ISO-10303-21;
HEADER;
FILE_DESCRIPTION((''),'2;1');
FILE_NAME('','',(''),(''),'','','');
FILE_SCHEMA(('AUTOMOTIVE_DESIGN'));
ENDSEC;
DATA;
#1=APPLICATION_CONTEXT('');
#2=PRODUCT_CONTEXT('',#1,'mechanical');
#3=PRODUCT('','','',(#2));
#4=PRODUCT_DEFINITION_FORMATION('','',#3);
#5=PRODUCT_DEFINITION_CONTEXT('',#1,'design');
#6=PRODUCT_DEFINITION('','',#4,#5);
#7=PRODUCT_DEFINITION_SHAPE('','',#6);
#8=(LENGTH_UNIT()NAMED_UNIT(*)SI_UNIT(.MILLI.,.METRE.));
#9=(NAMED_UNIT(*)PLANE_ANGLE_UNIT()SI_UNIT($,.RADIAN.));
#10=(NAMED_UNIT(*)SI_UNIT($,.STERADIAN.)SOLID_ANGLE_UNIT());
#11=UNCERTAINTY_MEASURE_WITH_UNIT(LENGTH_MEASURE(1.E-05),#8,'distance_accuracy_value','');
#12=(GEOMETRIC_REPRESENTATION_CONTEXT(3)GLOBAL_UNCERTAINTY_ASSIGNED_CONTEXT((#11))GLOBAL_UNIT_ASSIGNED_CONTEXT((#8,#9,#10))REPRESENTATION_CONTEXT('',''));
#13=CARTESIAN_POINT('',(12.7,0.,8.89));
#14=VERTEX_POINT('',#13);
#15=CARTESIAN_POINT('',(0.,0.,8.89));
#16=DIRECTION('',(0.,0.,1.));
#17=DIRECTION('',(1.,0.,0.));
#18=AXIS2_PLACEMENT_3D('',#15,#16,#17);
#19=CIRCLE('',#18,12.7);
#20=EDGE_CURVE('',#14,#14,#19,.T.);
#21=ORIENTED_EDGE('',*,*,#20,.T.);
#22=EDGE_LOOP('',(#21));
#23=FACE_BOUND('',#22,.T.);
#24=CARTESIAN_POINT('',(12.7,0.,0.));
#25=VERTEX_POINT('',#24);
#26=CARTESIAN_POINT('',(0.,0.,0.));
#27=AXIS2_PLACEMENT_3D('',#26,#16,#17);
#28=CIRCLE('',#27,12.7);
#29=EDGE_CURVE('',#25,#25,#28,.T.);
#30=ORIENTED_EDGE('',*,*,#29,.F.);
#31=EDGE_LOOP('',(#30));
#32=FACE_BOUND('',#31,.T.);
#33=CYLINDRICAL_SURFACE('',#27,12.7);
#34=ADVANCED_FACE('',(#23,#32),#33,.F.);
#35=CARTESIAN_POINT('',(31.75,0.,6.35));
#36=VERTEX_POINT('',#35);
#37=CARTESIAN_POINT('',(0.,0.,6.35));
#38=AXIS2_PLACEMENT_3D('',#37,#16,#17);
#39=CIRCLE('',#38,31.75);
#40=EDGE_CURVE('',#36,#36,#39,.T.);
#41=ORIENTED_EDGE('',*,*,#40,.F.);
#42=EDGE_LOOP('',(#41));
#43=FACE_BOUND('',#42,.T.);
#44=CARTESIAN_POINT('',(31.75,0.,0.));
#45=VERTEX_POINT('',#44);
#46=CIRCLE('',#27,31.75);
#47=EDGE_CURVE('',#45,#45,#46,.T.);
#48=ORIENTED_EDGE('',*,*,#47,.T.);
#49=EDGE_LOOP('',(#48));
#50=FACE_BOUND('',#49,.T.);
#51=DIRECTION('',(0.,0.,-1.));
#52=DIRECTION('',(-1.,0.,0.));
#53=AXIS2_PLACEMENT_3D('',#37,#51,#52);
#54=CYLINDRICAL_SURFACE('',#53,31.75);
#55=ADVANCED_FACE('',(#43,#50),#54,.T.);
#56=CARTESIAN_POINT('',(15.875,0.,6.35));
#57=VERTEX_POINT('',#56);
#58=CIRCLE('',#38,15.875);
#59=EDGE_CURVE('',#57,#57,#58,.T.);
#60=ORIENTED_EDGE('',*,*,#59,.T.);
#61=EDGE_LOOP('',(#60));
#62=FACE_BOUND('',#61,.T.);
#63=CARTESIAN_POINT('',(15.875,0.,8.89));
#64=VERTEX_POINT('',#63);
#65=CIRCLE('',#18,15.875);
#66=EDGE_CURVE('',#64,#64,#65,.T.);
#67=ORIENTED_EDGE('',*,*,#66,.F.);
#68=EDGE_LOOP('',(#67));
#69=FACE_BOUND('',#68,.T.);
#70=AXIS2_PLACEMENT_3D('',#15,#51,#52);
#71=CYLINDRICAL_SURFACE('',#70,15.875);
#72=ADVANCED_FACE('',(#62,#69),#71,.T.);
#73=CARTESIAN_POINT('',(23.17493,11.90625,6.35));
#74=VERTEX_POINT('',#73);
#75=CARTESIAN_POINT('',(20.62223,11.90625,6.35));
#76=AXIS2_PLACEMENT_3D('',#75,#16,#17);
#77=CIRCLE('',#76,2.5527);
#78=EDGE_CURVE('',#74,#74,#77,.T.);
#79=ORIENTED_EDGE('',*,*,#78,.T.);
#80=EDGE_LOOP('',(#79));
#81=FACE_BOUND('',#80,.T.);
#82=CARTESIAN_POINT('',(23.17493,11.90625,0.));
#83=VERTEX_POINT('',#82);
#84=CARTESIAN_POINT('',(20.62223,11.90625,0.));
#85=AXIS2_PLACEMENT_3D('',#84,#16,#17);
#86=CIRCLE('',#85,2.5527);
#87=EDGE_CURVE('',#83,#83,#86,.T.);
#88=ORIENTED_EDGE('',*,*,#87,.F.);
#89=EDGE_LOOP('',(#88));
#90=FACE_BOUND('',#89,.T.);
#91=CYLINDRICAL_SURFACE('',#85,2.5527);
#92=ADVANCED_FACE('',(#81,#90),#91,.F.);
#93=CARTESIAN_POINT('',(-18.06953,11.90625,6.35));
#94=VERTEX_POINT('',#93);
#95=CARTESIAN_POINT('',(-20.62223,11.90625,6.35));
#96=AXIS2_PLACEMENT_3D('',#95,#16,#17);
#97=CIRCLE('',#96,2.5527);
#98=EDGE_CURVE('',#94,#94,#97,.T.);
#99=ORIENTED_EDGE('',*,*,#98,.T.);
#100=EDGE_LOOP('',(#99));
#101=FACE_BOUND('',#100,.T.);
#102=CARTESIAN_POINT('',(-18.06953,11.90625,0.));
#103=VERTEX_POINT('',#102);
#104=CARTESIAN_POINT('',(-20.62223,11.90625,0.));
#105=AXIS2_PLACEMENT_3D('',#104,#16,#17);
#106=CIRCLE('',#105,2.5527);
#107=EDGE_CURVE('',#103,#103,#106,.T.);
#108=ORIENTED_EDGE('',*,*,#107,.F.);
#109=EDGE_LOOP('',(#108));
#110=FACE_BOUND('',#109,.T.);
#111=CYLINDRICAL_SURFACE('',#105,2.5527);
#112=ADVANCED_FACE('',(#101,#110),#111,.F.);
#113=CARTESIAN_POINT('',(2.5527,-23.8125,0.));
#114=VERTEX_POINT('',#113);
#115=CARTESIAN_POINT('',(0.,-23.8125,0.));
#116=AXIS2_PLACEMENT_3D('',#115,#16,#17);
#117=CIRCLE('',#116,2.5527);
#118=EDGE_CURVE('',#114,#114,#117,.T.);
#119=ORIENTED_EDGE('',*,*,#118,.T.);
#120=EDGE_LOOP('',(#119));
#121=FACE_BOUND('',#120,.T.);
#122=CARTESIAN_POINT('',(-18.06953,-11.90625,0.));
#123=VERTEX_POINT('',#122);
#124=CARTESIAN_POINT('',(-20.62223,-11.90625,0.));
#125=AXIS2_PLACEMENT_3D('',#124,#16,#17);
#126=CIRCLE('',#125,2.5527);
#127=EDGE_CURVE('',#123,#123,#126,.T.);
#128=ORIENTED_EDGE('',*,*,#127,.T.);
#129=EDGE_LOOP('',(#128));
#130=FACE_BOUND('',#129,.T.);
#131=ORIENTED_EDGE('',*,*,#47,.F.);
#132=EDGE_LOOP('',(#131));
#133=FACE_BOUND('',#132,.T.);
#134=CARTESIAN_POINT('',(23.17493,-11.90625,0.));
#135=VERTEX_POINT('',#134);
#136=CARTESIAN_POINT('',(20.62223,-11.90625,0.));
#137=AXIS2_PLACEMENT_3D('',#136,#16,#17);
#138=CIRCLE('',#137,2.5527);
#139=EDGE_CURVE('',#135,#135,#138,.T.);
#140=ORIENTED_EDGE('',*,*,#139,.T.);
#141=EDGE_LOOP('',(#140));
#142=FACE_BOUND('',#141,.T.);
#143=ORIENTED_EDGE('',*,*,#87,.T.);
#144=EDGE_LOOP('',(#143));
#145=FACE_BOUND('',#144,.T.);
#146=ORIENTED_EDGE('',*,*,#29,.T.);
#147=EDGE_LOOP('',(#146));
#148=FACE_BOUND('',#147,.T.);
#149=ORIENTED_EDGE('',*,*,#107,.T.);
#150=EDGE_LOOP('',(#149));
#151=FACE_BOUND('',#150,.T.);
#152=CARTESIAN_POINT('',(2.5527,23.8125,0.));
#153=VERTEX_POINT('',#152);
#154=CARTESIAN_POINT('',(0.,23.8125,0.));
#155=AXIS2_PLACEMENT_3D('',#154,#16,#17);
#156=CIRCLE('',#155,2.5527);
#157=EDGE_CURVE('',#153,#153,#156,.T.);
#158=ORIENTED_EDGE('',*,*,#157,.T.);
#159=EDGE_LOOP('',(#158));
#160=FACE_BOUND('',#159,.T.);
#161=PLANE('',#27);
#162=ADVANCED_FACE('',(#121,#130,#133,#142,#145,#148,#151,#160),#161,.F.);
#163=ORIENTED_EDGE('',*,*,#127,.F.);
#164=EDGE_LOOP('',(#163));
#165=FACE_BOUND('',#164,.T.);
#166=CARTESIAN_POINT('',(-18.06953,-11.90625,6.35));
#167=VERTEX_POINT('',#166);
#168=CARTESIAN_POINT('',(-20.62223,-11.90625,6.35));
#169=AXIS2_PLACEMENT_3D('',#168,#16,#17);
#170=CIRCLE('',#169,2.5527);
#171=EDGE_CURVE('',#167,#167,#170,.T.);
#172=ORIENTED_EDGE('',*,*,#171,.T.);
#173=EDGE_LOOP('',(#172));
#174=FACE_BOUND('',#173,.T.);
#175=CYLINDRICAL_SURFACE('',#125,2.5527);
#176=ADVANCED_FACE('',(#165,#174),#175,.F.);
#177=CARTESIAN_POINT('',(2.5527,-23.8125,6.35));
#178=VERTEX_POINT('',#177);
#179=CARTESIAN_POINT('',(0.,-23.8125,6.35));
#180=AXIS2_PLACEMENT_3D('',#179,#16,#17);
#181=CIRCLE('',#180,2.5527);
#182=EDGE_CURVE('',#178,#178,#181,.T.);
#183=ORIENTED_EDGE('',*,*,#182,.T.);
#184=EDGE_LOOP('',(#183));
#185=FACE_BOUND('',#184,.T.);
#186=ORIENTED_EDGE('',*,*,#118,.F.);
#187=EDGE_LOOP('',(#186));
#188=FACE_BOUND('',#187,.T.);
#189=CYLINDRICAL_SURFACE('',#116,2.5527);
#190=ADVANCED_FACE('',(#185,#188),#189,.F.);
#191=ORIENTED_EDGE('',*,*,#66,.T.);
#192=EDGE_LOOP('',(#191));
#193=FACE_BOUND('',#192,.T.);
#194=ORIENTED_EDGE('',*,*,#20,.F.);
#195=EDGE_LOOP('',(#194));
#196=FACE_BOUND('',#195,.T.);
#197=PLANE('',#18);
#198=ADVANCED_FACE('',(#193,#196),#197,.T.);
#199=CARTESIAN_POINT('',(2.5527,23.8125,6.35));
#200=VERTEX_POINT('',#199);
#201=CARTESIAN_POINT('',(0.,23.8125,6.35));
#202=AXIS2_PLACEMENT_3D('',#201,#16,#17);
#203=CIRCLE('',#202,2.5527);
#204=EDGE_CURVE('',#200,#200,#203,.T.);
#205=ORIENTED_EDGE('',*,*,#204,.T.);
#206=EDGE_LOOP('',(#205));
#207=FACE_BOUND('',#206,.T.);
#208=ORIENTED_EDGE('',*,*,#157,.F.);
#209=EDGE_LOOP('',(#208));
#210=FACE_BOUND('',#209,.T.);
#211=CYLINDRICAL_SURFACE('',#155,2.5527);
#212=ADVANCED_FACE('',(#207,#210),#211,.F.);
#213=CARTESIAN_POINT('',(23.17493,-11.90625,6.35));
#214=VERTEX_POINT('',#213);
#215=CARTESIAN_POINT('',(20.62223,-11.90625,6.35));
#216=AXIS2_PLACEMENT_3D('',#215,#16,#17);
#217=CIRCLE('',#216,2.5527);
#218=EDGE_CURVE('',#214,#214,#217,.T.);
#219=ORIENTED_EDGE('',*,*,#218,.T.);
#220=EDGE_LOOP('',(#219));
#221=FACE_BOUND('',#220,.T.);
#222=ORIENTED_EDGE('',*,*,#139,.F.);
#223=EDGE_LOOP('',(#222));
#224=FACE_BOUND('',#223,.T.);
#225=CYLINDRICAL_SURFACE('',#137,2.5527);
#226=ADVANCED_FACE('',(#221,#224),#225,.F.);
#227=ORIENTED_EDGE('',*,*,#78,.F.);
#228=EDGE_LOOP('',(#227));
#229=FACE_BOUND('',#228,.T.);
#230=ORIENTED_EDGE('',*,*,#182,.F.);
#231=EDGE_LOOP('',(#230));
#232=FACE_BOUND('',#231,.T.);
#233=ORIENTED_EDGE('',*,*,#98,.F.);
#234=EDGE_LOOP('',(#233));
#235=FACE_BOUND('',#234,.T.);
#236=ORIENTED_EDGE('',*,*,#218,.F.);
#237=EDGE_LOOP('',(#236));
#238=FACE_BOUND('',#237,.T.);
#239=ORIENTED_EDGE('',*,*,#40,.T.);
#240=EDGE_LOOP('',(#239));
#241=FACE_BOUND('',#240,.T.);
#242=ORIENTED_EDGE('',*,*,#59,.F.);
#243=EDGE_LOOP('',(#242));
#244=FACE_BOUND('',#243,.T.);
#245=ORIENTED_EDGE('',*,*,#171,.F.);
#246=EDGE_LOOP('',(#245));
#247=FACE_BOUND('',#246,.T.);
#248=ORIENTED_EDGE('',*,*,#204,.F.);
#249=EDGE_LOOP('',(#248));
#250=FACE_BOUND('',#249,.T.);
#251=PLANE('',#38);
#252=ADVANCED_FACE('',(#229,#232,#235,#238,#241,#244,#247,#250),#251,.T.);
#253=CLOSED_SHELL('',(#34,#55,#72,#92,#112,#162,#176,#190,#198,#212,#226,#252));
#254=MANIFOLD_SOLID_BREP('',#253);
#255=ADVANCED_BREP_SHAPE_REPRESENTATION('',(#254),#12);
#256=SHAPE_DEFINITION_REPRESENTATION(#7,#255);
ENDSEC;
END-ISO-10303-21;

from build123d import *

# Parameters (mm, degrees)
SKETCH1_R           = 31.75
BOSS_EXTRUDE1_DEPTH = 6.35
SKETCH2_R           = 12.7
SKETCH2_R_2         = 2.5527
CUT_EXTRUDE1_DEPTH  = 7.35
SKETCH3_R           = 15.875
SKETCH3_R_2         = 12.7
BOSS_EXTRUDE2_DEPTH = 2.54


with BuildPart() as part:
    # Sketch1 → Boss-Extrude1 (new body)
    with BuildSketch(Plane.XY):
        Circle(SKETCH1_R)
    extrude(amount=BOSS_EXTRUDE1_DEPTH)

    # Sketch2 → Cut-Extrude1 (cut, through all)
    with BuildSketch(Plane.XY.offset(6.35)):
        Circle(SKETCH2_R)
        with Locations((0, 23.8125)):
            Circle(SKETCH2_R_2)
        with Locations((20.622229928, 11.90625)):
            Circle(SKETCH2_R_2)
        with Locations((20.622229928, -11.90625)):
            Circle(SKETCH2_R_2)
        with Locations((0, -23.8125)):
            Circle(SKETCH2_R_2)
        with Locations((-20.622229928, -11.90625)):
            Circle(SKETCH2_R_2)
        with Locations((-20.622229928, 11.90625)):
            Circle(SKETCH2_R_2)
    extrude(amount=-CUT_EXTRUDE1_DEPTH, mode=Mode.SUBTRACT)

    # Sketch3 → Boss-Extrude2 (add)
    with BuildSketch(Plane.XY.offset(6.35)):
        Circle(SKETCH3_R)
        Circle(SKETCH3_R_2, mode=Mode.SUBTRACT)
    extrude(amount=BOSS_EXTRUDE2_DEPTH)


solid = part.part
